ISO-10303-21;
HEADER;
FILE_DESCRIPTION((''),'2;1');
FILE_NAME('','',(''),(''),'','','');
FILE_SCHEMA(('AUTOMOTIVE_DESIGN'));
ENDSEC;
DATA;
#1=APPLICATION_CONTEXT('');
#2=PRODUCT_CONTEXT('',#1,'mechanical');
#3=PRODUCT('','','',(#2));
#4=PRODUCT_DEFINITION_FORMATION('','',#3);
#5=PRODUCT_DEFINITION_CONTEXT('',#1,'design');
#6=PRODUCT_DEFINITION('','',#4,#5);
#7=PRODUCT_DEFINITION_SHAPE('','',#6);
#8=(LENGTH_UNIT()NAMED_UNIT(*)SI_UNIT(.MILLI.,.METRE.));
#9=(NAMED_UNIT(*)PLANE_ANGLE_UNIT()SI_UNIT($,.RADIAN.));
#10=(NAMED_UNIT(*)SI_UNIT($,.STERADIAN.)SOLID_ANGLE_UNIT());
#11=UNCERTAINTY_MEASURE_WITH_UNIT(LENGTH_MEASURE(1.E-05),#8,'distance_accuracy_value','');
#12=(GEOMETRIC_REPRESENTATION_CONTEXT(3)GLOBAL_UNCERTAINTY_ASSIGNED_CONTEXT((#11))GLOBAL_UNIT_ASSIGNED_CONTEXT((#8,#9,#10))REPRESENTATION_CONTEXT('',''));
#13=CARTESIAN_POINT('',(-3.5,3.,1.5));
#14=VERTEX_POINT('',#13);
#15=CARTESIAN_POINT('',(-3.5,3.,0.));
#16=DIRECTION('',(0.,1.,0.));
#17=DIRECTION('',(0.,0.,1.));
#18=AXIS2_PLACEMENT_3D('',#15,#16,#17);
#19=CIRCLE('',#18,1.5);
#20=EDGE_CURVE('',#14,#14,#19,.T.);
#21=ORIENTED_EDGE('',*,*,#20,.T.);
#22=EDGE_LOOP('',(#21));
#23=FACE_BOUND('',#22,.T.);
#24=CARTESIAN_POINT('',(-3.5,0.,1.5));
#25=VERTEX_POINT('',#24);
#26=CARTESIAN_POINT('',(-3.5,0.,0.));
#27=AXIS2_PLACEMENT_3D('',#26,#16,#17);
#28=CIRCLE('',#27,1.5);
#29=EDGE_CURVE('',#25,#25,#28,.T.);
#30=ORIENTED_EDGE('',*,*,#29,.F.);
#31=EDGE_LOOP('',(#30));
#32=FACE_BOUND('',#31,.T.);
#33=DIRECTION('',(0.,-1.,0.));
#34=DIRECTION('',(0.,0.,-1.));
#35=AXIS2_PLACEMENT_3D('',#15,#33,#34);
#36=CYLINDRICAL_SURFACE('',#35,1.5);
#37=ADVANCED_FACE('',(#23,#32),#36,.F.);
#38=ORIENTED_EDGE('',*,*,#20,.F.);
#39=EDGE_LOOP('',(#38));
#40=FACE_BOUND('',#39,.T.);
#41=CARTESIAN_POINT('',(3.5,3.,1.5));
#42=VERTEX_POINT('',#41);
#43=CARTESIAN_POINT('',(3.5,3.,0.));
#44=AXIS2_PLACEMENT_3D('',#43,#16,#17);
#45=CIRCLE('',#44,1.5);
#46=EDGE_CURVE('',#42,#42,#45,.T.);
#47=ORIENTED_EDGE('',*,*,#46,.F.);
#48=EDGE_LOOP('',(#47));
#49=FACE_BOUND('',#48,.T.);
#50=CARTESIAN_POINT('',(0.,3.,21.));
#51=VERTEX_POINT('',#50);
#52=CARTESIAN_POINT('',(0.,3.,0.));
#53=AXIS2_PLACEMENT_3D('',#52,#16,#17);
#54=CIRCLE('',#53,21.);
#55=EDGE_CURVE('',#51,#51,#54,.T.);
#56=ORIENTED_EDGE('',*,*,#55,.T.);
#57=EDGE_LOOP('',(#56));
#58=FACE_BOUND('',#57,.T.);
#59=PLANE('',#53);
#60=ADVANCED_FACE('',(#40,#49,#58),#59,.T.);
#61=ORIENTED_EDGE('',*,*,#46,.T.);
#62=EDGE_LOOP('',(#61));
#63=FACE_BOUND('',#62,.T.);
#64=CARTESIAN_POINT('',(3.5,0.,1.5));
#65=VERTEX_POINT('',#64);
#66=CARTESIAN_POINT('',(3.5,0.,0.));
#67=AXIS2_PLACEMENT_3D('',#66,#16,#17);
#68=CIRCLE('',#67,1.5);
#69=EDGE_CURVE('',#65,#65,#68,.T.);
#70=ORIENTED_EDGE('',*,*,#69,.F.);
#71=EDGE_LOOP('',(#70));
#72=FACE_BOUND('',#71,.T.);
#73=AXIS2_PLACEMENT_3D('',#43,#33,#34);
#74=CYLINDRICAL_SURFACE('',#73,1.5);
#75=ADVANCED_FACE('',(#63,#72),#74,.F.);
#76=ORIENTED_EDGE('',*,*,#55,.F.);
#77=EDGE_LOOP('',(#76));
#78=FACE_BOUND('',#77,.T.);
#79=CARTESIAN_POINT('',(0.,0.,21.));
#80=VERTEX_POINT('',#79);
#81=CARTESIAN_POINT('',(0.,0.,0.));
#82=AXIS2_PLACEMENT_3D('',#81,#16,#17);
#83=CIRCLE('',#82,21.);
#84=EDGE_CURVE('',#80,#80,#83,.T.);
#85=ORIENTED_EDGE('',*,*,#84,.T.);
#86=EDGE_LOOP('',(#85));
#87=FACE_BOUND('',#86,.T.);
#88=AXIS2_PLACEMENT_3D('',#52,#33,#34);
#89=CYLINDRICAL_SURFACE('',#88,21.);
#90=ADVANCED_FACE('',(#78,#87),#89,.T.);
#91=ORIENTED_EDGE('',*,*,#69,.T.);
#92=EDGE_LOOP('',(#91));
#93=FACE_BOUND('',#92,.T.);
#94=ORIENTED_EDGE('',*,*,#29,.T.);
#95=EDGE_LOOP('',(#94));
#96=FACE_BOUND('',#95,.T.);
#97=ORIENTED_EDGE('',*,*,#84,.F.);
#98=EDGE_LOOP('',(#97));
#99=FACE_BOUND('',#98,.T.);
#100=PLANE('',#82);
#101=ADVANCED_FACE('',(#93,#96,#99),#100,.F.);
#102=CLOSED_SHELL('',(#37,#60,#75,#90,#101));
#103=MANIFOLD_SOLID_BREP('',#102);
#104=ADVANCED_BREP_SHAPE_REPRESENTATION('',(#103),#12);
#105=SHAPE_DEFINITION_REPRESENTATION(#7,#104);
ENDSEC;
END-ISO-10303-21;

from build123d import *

# Parameters (mm, degrees)
ESQUISSE1_R        = 21
ESQUISSE1_R_2      = 1.5
BOSS_EXTRU_1_DEPTH = 3


with BuildPart() as part:
    # Esquisse1 → Boss.-Extru.1 (new body)
    with BuildSketch(Plane(origin=(0, 0, 0), x_dir=(1, 0, 0), z_dir=(0, 1, 0))):
        Circle(ESQUISSE1_R)
        with Locations((-3.5, 0)):
            Circle(ESQUISSE1_R_2, mode=Mode.SUBTRACT)
        with Locations((3.5, 0)):
            Circle(ESQUISSE1_R_2, mode=Mode.SUBTRACT)
    extrude(amount=BOSS_EXTRU_1_DEPTH)


solid = part.part
